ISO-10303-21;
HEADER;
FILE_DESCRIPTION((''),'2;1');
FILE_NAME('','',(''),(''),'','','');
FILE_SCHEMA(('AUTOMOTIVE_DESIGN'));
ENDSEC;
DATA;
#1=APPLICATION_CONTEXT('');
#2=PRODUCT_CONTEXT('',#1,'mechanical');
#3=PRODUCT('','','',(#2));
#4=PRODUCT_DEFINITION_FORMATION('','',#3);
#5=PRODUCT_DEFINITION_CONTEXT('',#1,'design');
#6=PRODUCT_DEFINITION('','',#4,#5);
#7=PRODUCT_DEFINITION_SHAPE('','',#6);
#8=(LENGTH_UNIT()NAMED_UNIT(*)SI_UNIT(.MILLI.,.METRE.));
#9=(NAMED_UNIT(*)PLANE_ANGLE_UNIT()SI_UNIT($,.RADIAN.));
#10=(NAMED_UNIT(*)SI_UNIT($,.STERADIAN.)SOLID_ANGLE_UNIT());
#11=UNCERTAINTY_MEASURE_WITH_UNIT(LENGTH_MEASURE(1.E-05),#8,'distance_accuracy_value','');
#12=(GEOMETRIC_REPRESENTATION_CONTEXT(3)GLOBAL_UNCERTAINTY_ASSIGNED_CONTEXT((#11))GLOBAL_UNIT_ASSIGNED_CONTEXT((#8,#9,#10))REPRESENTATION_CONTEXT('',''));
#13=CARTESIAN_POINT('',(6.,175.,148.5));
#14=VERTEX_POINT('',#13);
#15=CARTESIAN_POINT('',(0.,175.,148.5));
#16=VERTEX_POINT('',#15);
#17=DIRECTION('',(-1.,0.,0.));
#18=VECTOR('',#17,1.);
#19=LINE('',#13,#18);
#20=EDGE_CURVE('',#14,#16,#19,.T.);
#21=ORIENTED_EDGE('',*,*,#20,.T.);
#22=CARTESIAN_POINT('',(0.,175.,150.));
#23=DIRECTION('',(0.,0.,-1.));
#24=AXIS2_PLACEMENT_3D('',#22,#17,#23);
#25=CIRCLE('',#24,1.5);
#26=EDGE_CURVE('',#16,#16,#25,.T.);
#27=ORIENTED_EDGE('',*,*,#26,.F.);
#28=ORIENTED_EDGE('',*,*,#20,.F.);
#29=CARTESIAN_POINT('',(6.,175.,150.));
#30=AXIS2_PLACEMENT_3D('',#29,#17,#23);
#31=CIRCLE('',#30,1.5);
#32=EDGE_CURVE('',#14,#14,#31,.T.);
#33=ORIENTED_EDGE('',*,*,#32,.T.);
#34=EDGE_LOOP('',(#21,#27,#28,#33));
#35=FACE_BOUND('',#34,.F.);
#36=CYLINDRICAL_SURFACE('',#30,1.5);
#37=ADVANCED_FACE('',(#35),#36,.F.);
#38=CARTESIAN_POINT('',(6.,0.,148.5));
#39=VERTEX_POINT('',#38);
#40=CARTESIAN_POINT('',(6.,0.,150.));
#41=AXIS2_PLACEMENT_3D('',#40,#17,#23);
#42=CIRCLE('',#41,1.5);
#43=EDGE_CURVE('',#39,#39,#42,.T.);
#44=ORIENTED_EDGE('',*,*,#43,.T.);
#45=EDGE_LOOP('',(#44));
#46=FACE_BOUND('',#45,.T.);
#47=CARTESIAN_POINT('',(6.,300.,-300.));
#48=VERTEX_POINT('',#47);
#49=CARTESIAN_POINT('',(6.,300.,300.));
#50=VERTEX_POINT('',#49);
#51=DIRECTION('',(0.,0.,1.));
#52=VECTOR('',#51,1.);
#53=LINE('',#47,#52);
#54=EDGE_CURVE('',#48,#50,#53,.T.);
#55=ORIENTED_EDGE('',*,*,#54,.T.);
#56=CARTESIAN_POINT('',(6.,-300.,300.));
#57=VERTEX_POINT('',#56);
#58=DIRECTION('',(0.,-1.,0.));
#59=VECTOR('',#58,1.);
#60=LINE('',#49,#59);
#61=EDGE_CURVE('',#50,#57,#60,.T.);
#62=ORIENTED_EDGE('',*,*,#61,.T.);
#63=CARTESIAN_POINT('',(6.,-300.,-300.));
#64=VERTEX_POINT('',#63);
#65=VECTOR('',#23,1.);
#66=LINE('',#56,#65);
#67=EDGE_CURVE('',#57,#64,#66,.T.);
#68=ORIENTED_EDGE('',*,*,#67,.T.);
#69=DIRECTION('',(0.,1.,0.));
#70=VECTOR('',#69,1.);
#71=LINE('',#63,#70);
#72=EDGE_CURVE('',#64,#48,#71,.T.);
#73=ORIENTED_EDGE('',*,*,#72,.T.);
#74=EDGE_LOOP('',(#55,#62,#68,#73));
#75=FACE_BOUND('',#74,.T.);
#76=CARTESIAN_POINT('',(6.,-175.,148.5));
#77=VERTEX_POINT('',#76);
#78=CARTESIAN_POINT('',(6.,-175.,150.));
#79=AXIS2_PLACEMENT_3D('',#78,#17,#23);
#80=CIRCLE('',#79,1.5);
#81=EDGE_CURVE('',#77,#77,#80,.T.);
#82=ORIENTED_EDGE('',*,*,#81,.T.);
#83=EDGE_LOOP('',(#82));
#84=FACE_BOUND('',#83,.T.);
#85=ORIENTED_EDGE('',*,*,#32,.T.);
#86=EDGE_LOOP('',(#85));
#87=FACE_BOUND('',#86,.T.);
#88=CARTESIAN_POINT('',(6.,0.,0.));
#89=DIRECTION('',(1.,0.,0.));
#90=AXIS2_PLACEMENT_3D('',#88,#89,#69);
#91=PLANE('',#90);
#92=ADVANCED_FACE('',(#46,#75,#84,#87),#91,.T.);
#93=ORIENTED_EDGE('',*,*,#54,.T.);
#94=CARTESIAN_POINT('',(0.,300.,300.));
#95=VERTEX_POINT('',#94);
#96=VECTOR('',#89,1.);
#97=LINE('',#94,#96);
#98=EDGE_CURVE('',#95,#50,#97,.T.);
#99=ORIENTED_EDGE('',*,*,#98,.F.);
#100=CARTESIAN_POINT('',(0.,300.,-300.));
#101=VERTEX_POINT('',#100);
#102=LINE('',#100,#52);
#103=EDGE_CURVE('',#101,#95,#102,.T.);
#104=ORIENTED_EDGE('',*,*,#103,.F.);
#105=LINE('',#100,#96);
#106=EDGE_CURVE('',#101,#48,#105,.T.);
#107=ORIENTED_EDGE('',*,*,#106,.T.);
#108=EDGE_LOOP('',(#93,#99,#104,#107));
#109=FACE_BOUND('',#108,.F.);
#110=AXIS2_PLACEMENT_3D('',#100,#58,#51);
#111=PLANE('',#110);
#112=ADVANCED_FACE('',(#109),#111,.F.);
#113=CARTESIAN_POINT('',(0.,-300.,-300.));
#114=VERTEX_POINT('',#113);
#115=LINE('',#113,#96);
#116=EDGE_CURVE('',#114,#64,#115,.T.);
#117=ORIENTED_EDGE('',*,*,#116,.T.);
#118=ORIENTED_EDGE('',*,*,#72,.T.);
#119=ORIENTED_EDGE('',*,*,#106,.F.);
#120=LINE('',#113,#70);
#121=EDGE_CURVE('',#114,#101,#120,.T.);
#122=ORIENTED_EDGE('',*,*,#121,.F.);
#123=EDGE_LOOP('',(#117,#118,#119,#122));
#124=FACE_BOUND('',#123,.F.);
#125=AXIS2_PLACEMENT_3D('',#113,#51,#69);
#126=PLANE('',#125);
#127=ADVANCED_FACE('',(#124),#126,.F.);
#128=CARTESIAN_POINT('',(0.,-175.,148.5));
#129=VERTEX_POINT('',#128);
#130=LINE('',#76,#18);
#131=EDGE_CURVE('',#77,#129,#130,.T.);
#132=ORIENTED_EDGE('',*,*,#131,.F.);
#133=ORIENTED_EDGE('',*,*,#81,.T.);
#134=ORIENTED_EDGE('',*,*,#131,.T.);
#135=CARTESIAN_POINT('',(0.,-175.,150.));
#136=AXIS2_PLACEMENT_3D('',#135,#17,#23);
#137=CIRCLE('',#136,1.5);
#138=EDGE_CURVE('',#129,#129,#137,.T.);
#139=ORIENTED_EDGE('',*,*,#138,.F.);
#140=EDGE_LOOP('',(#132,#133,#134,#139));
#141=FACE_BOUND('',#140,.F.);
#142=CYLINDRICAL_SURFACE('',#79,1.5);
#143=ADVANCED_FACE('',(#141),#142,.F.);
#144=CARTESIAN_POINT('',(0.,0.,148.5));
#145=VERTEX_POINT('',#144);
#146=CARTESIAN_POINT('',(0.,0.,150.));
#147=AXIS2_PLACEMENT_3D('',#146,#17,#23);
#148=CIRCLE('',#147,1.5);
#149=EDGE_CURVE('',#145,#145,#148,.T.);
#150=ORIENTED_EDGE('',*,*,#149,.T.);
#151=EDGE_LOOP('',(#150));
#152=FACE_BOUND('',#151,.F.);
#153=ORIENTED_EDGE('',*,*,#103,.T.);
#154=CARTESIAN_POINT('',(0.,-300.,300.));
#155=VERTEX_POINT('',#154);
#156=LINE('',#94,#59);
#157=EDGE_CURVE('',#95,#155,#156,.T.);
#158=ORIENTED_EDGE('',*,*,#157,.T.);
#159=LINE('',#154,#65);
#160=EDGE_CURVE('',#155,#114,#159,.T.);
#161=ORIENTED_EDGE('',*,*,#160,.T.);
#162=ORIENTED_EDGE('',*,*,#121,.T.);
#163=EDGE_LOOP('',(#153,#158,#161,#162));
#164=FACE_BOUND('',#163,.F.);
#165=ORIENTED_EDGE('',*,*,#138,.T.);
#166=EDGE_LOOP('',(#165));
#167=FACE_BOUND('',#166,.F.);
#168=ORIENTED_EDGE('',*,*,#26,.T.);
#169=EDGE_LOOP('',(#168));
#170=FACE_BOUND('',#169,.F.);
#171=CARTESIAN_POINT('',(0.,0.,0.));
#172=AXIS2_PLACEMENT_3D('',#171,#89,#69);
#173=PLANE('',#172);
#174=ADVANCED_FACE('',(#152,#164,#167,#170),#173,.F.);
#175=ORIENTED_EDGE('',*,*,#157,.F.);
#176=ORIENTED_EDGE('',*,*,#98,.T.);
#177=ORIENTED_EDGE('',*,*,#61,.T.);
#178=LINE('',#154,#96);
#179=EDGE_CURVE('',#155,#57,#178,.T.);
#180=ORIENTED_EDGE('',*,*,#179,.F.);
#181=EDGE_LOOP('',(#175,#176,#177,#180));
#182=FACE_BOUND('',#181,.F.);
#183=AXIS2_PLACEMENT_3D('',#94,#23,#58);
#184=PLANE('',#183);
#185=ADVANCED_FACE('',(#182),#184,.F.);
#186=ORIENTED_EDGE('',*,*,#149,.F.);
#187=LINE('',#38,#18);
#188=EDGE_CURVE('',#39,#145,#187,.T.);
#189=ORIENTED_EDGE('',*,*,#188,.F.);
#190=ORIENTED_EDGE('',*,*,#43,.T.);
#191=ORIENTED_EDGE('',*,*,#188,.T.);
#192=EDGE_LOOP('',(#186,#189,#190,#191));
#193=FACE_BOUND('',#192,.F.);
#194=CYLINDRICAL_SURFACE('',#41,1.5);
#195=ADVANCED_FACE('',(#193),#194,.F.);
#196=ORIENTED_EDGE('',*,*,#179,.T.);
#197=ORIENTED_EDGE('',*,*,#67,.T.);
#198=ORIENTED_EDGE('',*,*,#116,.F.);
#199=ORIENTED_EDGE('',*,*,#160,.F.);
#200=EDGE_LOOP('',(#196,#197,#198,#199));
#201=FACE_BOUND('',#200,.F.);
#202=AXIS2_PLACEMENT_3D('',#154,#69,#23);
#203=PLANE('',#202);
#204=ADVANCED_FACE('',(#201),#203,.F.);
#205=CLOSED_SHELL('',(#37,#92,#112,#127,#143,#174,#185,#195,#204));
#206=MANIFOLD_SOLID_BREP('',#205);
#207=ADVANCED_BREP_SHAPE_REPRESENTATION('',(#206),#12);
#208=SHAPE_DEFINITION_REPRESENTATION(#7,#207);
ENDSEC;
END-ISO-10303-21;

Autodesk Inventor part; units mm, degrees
ref_plane "YZ Plane" through (0, 0, 0) normal (1, 0, 0) x (0, 1, 0)
ref_plane "XZ Plane" through (0, 0, 0) normal (0, 1, 0) x (-1, 0, 0)
ref_plane "XY Plane" through (0, 0, 0) normal (0, 0, 1) x (1, 0, 0)
sketch "Sketch2" plane through (0, 0, 0) normal (1, 0, 0) x (0, 1, 0)
  line L0 (-300, -300) -> (300, -300)
  line L1 (300, -300) -> (300, 300)
  line L2 (300, 300) -> (-300, 300)
  line L3 (-300, 300) -> (-300, -300)
  line L4 (-300, -300) -> (300, 300) construction
  line L5 (300, -300) -> (-300, 300) construction
  point P0 (0, 0)
  dimension "d0" = 600
  dimension "d1" = 600
extrude "Extrusion1" add sketch "Sketch2" along normal blind 6
sketch "Sketch3" plane through (6, 0, 0) normal (1, 0, 0) x (0, 0, -1)
  line L0 (-150, -175) -> (-150, 175) construction
  line L1 (0, 0) -> (-150, 0) construction
  dimension "d4" = 350
  dimension "d5" = 150
hole "Hole1" at (6, -175, 150) at (6, 175, 150) at (6, 0, 150) direction (-1, 0, 0) diameter 3 end through all
properties part number "RT_FRM_MC_009_ElectricalBackPlate"
